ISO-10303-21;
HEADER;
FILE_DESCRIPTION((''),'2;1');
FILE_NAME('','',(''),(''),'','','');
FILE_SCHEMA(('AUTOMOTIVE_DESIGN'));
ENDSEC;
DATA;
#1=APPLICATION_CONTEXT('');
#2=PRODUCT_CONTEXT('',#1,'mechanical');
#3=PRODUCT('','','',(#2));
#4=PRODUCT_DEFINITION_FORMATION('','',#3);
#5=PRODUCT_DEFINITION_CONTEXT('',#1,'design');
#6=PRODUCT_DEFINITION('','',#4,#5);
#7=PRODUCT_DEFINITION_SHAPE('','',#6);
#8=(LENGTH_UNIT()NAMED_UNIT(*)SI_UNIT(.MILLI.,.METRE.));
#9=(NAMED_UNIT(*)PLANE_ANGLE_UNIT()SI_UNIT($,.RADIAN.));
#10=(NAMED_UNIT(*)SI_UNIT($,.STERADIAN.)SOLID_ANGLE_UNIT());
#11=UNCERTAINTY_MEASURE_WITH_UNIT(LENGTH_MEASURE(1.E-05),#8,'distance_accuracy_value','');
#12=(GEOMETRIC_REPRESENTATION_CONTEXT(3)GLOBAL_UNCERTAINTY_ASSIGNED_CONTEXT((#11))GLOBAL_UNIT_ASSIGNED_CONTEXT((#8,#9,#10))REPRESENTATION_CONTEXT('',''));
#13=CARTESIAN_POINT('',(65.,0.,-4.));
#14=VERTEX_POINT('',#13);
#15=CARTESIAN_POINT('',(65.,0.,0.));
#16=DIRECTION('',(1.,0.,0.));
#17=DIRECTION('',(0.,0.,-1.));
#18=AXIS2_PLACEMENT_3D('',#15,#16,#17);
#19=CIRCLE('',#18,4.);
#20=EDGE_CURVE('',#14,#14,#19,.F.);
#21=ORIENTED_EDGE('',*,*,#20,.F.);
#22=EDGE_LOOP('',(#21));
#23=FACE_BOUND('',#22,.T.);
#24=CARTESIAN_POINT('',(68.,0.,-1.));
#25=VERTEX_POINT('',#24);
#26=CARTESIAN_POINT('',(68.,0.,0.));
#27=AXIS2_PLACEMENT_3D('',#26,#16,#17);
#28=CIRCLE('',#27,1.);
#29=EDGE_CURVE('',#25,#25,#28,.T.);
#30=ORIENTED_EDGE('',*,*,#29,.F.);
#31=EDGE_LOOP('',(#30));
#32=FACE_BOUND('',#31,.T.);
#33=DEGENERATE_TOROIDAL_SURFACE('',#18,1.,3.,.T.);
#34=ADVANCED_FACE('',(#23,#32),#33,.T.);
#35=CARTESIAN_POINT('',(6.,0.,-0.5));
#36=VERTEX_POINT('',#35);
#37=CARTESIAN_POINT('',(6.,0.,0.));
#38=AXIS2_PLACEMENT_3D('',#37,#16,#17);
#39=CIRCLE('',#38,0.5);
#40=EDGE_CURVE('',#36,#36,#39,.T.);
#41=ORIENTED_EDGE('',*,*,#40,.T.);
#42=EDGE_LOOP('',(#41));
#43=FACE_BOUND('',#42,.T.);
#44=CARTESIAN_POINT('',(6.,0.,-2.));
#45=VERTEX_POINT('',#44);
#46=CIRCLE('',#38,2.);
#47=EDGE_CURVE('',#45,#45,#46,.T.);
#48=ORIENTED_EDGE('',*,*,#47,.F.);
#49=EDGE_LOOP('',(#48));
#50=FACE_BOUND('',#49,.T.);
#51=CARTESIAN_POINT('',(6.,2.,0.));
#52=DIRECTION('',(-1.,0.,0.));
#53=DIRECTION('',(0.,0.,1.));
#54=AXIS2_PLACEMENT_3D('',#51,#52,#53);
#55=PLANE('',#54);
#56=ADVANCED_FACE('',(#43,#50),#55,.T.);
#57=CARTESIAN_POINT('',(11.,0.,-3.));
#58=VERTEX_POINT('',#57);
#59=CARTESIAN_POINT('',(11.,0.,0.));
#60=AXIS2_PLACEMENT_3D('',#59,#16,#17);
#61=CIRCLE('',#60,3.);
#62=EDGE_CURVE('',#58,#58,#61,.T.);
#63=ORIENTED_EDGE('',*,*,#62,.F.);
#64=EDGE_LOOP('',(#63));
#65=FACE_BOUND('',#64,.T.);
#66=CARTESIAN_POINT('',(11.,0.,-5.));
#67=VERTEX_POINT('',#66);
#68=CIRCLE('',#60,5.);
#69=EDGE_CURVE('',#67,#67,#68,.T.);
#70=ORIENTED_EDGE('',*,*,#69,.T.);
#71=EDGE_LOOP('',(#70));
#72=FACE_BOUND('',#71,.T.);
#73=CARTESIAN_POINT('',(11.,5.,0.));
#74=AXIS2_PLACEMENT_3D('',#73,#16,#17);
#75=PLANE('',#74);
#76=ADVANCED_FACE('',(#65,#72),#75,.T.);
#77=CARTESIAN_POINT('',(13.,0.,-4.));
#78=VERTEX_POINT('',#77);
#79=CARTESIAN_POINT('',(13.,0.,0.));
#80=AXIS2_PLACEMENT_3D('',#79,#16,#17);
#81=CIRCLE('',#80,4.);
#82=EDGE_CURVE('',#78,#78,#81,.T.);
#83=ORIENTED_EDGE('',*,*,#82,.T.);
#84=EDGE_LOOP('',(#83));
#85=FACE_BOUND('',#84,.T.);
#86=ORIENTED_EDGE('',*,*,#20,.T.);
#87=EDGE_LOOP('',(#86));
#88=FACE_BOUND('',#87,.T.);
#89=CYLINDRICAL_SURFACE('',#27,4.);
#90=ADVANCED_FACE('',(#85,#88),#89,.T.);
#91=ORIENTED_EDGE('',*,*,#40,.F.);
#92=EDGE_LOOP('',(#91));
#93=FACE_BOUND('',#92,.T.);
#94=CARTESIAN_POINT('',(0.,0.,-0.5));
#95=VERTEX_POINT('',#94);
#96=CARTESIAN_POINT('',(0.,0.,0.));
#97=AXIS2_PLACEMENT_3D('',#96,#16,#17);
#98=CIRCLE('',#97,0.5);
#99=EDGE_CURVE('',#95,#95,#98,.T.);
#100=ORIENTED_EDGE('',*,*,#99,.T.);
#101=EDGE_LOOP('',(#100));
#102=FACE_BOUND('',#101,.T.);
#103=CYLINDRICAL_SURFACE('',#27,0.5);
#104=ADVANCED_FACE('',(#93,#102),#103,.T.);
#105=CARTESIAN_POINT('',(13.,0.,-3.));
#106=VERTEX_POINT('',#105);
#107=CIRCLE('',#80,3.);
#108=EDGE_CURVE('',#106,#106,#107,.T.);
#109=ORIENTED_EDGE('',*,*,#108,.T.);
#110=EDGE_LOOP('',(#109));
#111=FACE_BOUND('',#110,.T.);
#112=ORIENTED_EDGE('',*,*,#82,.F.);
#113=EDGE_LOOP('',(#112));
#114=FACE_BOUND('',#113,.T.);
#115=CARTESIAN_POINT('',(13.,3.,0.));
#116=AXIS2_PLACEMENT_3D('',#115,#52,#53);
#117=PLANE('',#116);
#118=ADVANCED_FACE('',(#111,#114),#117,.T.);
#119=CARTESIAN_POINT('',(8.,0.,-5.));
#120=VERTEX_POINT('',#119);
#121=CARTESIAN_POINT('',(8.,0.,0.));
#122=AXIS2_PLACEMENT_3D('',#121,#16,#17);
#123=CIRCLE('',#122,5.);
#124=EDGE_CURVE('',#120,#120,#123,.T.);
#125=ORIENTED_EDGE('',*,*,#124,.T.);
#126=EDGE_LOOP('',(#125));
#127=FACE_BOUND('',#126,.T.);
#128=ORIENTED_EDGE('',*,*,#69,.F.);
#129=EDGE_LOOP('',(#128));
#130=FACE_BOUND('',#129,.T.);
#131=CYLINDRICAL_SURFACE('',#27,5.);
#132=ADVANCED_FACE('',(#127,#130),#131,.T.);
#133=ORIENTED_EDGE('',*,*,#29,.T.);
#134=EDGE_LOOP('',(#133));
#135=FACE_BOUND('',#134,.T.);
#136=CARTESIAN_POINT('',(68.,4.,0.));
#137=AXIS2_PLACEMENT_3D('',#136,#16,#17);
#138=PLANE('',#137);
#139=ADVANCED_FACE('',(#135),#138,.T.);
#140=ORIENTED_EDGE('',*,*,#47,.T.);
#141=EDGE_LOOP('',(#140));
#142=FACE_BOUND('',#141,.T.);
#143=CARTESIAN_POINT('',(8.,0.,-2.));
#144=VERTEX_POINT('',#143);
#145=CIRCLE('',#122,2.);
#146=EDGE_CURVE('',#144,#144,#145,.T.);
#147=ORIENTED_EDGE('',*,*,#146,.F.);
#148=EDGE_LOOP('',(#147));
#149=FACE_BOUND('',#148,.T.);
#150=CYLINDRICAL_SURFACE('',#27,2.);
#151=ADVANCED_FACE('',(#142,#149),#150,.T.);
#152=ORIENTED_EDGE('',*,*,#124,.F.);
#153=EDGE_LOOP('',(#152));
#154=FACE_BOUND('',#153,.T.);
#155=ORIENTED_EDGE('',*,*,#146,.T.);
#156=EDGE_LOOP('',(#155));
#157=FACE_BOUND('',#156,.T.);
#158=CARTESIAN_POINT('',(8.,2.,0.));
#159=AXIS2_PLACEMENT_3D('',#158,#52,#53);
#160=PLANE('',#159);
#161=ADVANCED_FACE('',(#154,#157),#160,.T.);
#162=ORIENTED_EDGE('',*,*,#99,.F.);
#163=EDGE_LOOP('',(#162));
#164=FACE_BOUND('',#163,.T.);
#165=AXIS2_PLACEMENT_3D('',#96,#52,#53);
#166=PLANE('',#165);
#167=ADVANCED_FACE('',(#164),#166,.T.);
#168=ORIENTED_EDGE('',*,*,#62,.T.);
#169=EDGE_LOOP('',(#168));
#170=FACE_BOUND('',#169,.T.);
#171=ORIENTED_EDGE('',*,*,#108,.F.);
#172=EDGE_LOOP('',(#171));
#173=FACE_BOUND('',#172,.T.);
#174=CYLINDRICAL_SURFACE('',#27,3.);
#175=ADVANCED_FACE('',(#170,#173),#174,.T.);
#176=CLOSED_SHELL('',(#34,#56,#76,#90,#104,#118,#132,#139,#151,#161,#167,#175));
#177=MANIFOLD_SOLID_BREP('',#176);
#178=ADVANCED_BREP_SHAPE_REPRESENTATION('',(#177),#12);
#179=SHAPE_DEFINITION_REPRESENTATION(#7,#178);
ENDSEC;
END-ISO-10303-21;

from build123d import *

# Parameters (mm, degrees)
FILLET_1_R = 3


with BuildPart() as part:
    # Эскиз1 → Повернуть1 (revolve)
    with BuildSketch(Plane.XY, mode=Mode.PRIVATE) as revolve_1_sk:
        Polygon((0, 0), (0, 0.5), (6, 0.5), (6, 2), (8, 2), (8, 5), (11, 5), (11, 3), (13, 3), (13, 4), (68, 4), (68, 0), align=None)
    revolve(revolve_1_sk.sketch.rotate(Axis((68, 0, 0), (-1, 0, 0)), 90), axis=Axis((68, 0, 0), (-1, 0, 0)))

    # Скругление1
    fillet_1_edges = [part.edges().sort_by_distance(p)[0] for p in [
        (68, 0, 4),
    ]]
    fillet(fillet_1_edges, radius=FILLET_1_R)


solid = part.part
